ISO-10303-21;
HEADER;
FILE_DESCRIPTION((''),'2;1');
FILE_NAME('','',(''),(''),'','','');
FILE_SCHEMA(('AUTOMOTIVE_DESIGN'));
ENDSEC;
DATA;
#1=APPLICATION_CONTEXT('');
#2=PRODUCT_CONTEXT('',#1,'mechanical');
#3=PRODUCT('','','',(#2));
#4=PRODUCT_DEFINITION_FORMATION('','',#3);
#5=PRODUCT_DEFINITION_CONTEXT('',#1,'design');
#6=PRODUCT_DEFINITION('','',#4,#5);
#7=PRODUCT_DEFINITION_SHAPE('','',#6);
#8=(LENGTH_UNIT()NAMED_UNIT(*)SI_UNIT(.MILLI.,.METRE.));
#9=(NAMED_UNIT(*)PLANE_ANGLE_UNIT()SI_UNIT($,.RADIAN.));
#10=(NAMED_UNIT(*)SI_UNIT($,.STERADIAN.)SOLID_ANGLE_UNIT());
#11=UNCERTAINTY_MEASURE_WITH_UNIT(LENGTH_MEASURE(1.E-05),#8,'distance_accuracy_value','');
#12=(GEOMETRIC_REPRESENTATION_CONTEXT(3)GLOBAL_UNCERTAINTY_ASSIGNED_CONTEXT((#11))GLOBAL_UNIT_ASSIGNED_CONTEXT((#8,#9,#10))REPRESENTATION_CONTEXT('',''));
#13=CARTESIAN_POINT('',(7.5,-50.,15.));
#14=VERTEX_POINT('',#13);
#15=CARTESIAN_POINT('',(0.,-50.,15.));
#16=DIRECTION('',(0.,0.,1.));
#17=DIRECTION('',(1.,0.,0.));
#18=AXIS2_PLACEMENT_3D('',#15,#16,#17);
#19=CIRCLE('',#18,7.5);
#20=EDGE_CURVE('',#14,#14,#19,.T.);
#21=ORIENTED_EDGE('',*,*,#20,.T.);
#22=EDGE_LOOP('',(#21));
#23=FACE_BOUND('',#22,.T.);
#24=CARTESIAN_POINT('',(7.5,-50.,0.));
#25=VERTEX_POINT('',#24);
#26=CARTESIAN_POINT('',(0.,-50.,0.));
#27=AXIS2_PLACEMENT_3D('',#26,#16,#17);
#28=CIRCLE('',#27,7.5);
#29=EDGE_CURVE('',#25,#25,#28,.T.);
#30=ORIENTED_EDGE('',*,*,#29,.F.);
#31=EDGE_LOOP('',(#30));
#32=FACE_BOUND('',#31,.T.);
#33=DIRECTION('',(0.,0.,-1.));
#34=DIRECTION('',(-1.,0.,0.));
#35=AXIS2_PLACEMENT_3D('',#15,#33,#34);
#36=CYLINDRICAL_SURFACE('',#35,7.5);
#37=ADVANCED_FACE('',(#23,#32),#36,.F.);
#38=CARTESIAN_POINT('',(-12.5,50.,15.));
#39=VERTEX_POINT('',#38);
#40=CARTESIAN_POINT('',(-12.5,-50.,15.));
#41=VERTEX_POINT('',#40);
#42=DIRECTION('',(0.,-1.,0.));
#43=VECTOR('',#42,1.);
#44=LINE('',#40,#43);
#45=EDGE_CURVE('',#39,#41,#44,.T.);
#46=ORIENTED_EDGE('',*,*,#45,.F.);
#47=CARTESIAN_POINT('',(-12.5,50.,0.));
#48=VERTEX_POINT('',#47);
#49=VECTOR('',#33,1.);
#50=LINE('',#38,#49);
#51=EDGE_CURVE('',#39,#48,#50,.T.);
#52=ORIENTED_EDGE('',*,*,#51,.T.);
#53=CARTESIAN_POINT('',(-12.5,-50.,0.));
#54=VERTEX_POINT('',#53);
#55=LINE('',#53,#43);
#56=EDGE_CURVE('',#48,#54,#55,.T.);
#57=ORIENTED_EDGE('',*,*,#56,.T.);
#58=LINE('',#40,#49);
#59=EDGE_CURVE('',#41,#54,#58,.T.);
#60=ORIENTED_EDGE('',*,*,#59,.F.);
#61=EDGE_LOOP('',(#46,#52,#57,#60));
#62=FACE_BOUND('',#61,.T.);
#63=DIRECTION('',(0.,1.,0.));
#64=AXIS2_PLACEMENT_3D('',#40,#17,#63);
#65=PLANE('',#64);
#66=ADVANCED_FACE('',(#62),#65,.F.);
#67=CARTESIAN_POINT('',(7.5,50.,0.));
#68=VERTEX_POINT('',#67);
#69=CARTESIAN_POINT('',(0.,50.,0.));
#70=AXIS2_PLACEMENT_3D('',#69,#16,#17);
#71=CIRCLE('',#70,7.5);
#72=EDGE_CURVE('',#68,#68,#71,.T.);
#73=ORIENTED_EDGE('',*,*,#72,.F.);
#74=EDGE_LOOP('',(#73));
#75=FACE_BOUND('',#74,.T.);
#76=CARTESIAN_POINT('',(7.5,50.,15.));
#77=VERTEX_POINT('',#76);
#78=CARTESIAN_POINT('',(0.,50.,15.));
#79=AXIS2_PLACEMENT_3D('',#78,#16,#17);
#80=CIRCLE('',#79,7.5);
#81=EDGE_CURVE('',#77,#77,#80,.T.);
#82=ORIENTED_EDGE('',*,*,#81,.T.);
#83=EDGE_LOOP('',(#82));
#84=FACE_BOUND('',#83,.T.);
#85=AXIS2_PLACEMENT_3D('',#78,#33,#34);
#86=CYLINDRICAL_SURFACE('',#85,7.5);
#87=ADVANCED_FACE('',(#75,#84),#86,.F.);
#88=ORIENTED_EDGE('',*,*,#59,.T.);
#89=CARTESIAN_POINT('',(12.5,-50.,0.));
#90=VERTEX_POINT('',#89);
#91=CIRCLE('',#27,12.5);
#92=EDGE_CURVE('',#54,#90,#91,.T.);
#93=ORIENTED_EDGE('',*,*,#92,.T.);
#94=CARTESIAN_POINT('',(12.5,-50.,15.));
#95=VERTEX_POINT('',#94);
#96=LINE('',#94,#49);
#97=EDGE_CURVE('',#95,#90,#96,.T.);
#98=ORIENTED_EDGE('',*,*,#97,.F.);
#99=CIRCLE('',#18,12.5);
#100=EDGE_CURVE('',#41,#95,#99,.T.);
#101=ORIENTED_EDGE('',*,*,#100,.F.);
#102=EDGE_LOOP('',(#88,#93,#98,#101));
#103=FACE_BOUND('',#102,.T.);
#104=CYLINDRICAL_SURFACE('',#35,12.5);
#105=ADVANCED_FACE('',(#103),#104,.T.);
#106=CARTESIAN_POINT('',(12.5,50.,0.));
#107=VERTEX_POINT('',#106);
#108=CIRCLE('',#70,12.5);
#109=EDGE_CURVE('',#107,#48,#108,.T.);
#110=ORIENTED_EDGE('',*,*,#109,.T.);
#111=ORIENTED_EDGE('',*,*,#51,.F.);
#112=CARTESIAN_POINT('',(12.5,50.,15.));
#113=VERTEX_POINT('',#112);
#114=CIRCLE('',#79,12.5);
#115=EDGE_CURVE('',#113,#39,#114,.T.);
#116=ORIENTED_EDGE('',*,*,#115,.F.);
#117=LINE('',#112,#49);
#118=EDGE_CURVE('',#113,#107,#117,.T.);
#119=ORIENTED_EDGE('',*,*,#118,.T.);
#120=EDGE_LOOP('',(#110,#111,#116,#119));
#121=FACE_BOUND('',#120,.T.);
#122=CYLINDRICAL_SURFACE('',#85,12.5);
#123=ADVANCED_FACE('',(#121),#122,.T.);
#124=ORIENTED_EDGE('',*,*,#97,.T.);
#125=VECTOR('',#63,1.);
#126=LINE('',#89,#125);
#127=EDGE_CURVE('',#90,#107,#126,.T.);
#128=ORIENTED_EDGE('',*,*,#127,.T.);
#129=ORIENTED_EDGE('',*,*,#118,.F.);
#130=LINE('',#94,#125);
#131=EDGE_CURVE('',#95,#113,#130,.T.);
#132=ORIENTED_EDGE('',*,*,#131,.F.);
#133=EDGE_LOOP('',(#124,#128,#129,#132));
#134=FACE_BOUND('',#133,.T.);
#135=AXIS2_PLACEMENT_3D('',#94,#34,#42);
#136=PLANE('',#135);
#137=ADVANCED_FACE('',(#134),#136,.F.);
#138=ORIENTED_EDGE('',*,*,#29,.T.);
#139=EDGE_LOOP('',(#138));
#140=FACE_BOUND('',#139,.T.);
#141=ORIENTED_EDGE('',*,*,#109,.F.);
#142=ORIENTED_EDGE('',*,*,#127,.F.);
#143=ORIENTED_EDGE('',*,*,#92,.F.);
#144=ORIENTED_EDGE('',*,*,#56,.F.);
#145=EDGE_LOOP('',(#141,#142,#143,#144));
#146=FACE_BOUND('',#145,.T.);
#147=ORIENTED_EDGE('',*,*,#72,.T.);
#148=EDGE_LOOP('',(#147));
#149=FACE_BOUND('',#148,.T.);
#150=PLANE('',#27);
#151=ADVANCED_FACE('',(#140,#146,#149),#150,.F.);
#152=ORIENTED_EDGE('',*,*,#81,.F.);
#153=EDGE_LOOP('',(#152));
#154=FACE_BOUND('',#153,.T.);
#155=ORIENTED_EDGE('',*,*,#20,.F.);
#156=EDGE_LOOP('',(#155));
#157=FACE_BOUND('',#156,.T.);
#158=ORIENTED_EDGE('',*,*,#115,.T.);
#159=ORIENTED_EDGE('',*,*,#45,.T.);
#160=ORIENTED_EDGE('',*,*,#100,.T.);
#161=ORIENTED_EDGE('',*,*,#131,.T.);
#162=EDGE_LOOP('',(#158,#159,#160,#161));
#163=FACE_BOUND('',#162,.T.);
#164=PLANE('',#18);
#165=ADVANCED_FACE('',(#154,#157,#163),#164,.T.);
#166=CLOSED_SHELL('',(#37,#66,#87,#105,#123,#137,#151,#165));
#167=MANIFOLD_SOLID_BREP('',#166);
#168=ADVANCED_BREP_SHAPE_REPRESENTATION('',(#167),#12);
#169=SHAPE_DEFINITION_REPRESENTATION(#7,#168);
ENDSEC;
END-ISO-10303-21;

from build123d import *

# Parameters (mm, degrees)
SKETCH1_R           = 7.5
BOSS_EXTRUDE1_DEPTH = 15


with BuildPart() as part:
    # Sketch1 → Boss-Extrude1 (new body)
    with BuildSketch(Plane.XY):
        with BuildLine():
            Line((-12.5, -50), (-12.5, 50))
            ThreePointArc((-12.5, 50), (0, 62.5), (12.5, 50))
            Line((12.5, 50), (12.5, -50))
            ThreePointArc((12.5, -50), (0, -62.5), (-12.5, -50))
        make_face()
        with Locations((0, 50)):
            Circle(SKETCH1_R, mode=Mode.SUBTRACT)
        with Locations((0, -50)):
            Circle(SKETCH1_R, mode=Mode.SUBTRACT)
    extrude(amount=BOSS_EXTRUDE1_DEPTH)


solid = part.part
